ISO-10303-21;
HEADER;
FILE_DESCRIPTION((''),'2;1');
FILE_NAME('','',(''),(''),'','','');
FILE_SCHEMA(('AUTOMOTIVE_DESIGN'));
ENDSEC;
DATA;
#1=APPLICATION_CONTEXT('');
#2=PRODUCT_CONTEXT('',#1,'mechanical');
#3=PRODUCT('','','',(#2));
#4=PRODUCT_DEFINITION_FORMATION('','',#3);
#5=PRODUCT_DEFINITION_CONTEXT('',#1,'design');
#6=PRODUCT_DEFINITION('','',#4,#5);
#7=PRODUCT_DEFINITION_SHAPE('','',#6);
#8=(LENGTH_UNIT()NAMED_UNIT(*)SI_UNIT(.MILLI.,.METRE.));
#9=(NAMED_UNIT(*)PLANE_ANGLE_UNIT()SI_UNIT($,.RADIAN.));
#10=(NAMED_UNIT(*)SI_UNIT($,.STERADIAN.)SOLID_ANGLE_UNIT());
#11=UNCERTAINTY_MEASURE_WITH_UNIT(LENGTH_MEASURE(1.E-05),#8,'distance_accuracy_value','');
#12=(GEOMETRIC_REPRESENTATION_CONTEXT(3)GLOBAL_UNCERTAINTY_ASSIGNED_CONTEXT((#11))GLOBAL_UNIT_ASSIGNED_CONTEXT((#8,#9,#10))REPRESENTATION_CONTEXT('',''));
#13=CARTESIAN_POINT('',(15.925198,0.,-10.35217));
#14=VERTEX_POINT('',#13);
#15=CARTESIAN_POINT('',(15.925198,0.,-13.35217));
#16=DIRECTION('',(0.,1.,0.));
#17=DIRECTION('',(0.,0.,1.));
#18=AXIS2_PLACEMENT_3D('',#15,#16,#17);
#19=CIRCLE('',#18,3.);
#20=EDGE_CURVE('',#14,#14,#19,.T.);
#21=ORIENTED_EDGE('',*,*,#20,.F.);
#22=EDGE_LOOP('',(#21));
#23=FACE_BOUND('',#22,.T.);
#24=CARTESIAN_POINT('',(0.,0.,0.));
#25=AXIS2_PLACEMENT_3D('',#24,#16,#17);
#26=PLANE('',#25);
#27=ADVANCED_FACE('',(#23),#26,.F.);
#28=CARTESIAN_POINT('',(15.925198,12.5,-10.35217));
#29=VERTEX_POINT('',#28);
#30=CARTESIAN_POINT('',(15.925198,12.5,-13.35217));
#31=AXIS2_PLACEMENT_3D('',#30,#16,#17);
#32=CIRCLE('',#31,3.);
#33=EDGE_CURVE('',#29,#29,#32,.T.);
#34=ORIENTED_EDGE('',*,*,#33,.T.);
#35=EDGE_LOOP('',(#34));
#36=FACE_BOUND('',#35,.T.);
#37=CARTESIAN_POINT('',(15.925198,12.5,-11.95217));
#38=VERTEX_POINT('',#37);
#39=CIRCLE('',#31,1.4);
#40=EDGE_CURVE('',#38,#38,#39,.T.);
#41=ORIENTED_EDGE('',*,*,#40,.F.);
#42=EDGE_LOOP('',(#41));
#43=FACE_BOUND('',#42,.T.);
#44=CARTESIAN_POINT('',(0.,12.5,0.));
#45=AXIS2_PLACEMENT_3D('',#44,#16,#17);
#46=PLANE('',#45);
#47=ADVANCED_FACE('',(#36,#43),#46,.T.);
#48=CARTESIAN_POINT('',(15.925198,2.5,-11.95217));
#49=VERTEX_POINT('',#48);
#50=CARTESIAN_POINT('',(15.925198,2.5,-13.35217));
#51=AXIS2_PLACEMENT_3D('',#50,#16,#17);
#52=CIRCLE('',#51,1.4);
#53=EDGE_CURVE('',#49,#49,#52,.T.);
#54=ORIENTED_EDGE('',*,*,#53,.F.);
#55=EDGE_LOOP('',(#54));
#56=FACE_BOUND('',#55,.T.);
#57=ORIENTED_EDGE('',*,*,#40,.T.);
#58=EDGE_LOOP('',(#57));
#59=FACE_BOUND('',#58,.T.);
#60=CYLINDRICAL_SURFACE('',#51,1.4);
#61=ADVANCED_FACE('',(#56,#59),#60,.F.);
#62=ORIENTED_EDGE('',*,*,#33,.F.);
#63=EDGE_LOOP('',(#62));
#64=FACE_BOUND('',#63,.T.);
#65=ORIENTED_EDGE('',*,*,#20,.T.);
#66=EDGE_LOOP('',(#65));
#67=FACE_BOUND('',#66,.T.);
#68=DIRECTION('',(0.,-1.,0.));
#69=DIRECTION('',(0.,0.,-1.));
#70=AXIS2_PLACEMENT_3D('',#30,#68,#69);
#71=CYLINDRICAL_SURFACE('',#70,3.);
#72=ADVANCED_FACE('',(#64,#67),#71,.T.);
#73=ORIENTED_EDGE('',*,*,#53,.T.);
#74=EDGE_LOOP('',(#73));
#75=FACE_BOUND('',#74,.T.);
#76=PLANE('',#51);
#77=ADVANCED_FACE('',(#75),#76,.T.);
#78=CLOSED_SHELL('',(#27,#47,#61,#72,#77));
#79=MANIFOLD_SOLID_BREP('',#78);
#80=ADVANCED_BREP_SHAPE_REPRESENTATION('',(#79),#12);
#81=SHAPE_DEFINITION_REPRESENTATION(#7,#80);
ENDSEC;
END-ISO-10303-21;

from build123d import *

# Parameters (mm, degrees)
SKETCH1_R           = 3
BOSS_EXTRUDE1_DEPTH = 12.5
SKETCH2_R           = 1.4
CUT_EXTRUDE1_DEPTH  = 10


with BuildPart() as part:
    # Sketch1 → Boss-Extrude1 (new body)
    with BuildSketch(Plane(origin=(0, 0, 0), x_dir=(1, 0, 0), z_dir=(0, 1, 0))):
        with Locations(Location((15.925198458, 13.352169912, 0), (0, 0, 270))):
            Circle(SKETCH1_R)
    extrude(amount=BOSS_EXTRUDE1_DEPTH)

    # Sketch2 → Cut-Extrude1 (cut)
    with BuildSketch(Plane(origin=(0, 12.5, 0), x_dir=(1, 0, 0), z_dir=(0, 1, 0))):
        with Locations(Location((15.925198458, 13.352169912, 0), (0, 0, 270))):
            Circle(SKETCH2_R)
    extrude(amount=-CUT_EXTRUDE1_DEPTH, mode=Mode.SUBTRACT)


solid = part.part
